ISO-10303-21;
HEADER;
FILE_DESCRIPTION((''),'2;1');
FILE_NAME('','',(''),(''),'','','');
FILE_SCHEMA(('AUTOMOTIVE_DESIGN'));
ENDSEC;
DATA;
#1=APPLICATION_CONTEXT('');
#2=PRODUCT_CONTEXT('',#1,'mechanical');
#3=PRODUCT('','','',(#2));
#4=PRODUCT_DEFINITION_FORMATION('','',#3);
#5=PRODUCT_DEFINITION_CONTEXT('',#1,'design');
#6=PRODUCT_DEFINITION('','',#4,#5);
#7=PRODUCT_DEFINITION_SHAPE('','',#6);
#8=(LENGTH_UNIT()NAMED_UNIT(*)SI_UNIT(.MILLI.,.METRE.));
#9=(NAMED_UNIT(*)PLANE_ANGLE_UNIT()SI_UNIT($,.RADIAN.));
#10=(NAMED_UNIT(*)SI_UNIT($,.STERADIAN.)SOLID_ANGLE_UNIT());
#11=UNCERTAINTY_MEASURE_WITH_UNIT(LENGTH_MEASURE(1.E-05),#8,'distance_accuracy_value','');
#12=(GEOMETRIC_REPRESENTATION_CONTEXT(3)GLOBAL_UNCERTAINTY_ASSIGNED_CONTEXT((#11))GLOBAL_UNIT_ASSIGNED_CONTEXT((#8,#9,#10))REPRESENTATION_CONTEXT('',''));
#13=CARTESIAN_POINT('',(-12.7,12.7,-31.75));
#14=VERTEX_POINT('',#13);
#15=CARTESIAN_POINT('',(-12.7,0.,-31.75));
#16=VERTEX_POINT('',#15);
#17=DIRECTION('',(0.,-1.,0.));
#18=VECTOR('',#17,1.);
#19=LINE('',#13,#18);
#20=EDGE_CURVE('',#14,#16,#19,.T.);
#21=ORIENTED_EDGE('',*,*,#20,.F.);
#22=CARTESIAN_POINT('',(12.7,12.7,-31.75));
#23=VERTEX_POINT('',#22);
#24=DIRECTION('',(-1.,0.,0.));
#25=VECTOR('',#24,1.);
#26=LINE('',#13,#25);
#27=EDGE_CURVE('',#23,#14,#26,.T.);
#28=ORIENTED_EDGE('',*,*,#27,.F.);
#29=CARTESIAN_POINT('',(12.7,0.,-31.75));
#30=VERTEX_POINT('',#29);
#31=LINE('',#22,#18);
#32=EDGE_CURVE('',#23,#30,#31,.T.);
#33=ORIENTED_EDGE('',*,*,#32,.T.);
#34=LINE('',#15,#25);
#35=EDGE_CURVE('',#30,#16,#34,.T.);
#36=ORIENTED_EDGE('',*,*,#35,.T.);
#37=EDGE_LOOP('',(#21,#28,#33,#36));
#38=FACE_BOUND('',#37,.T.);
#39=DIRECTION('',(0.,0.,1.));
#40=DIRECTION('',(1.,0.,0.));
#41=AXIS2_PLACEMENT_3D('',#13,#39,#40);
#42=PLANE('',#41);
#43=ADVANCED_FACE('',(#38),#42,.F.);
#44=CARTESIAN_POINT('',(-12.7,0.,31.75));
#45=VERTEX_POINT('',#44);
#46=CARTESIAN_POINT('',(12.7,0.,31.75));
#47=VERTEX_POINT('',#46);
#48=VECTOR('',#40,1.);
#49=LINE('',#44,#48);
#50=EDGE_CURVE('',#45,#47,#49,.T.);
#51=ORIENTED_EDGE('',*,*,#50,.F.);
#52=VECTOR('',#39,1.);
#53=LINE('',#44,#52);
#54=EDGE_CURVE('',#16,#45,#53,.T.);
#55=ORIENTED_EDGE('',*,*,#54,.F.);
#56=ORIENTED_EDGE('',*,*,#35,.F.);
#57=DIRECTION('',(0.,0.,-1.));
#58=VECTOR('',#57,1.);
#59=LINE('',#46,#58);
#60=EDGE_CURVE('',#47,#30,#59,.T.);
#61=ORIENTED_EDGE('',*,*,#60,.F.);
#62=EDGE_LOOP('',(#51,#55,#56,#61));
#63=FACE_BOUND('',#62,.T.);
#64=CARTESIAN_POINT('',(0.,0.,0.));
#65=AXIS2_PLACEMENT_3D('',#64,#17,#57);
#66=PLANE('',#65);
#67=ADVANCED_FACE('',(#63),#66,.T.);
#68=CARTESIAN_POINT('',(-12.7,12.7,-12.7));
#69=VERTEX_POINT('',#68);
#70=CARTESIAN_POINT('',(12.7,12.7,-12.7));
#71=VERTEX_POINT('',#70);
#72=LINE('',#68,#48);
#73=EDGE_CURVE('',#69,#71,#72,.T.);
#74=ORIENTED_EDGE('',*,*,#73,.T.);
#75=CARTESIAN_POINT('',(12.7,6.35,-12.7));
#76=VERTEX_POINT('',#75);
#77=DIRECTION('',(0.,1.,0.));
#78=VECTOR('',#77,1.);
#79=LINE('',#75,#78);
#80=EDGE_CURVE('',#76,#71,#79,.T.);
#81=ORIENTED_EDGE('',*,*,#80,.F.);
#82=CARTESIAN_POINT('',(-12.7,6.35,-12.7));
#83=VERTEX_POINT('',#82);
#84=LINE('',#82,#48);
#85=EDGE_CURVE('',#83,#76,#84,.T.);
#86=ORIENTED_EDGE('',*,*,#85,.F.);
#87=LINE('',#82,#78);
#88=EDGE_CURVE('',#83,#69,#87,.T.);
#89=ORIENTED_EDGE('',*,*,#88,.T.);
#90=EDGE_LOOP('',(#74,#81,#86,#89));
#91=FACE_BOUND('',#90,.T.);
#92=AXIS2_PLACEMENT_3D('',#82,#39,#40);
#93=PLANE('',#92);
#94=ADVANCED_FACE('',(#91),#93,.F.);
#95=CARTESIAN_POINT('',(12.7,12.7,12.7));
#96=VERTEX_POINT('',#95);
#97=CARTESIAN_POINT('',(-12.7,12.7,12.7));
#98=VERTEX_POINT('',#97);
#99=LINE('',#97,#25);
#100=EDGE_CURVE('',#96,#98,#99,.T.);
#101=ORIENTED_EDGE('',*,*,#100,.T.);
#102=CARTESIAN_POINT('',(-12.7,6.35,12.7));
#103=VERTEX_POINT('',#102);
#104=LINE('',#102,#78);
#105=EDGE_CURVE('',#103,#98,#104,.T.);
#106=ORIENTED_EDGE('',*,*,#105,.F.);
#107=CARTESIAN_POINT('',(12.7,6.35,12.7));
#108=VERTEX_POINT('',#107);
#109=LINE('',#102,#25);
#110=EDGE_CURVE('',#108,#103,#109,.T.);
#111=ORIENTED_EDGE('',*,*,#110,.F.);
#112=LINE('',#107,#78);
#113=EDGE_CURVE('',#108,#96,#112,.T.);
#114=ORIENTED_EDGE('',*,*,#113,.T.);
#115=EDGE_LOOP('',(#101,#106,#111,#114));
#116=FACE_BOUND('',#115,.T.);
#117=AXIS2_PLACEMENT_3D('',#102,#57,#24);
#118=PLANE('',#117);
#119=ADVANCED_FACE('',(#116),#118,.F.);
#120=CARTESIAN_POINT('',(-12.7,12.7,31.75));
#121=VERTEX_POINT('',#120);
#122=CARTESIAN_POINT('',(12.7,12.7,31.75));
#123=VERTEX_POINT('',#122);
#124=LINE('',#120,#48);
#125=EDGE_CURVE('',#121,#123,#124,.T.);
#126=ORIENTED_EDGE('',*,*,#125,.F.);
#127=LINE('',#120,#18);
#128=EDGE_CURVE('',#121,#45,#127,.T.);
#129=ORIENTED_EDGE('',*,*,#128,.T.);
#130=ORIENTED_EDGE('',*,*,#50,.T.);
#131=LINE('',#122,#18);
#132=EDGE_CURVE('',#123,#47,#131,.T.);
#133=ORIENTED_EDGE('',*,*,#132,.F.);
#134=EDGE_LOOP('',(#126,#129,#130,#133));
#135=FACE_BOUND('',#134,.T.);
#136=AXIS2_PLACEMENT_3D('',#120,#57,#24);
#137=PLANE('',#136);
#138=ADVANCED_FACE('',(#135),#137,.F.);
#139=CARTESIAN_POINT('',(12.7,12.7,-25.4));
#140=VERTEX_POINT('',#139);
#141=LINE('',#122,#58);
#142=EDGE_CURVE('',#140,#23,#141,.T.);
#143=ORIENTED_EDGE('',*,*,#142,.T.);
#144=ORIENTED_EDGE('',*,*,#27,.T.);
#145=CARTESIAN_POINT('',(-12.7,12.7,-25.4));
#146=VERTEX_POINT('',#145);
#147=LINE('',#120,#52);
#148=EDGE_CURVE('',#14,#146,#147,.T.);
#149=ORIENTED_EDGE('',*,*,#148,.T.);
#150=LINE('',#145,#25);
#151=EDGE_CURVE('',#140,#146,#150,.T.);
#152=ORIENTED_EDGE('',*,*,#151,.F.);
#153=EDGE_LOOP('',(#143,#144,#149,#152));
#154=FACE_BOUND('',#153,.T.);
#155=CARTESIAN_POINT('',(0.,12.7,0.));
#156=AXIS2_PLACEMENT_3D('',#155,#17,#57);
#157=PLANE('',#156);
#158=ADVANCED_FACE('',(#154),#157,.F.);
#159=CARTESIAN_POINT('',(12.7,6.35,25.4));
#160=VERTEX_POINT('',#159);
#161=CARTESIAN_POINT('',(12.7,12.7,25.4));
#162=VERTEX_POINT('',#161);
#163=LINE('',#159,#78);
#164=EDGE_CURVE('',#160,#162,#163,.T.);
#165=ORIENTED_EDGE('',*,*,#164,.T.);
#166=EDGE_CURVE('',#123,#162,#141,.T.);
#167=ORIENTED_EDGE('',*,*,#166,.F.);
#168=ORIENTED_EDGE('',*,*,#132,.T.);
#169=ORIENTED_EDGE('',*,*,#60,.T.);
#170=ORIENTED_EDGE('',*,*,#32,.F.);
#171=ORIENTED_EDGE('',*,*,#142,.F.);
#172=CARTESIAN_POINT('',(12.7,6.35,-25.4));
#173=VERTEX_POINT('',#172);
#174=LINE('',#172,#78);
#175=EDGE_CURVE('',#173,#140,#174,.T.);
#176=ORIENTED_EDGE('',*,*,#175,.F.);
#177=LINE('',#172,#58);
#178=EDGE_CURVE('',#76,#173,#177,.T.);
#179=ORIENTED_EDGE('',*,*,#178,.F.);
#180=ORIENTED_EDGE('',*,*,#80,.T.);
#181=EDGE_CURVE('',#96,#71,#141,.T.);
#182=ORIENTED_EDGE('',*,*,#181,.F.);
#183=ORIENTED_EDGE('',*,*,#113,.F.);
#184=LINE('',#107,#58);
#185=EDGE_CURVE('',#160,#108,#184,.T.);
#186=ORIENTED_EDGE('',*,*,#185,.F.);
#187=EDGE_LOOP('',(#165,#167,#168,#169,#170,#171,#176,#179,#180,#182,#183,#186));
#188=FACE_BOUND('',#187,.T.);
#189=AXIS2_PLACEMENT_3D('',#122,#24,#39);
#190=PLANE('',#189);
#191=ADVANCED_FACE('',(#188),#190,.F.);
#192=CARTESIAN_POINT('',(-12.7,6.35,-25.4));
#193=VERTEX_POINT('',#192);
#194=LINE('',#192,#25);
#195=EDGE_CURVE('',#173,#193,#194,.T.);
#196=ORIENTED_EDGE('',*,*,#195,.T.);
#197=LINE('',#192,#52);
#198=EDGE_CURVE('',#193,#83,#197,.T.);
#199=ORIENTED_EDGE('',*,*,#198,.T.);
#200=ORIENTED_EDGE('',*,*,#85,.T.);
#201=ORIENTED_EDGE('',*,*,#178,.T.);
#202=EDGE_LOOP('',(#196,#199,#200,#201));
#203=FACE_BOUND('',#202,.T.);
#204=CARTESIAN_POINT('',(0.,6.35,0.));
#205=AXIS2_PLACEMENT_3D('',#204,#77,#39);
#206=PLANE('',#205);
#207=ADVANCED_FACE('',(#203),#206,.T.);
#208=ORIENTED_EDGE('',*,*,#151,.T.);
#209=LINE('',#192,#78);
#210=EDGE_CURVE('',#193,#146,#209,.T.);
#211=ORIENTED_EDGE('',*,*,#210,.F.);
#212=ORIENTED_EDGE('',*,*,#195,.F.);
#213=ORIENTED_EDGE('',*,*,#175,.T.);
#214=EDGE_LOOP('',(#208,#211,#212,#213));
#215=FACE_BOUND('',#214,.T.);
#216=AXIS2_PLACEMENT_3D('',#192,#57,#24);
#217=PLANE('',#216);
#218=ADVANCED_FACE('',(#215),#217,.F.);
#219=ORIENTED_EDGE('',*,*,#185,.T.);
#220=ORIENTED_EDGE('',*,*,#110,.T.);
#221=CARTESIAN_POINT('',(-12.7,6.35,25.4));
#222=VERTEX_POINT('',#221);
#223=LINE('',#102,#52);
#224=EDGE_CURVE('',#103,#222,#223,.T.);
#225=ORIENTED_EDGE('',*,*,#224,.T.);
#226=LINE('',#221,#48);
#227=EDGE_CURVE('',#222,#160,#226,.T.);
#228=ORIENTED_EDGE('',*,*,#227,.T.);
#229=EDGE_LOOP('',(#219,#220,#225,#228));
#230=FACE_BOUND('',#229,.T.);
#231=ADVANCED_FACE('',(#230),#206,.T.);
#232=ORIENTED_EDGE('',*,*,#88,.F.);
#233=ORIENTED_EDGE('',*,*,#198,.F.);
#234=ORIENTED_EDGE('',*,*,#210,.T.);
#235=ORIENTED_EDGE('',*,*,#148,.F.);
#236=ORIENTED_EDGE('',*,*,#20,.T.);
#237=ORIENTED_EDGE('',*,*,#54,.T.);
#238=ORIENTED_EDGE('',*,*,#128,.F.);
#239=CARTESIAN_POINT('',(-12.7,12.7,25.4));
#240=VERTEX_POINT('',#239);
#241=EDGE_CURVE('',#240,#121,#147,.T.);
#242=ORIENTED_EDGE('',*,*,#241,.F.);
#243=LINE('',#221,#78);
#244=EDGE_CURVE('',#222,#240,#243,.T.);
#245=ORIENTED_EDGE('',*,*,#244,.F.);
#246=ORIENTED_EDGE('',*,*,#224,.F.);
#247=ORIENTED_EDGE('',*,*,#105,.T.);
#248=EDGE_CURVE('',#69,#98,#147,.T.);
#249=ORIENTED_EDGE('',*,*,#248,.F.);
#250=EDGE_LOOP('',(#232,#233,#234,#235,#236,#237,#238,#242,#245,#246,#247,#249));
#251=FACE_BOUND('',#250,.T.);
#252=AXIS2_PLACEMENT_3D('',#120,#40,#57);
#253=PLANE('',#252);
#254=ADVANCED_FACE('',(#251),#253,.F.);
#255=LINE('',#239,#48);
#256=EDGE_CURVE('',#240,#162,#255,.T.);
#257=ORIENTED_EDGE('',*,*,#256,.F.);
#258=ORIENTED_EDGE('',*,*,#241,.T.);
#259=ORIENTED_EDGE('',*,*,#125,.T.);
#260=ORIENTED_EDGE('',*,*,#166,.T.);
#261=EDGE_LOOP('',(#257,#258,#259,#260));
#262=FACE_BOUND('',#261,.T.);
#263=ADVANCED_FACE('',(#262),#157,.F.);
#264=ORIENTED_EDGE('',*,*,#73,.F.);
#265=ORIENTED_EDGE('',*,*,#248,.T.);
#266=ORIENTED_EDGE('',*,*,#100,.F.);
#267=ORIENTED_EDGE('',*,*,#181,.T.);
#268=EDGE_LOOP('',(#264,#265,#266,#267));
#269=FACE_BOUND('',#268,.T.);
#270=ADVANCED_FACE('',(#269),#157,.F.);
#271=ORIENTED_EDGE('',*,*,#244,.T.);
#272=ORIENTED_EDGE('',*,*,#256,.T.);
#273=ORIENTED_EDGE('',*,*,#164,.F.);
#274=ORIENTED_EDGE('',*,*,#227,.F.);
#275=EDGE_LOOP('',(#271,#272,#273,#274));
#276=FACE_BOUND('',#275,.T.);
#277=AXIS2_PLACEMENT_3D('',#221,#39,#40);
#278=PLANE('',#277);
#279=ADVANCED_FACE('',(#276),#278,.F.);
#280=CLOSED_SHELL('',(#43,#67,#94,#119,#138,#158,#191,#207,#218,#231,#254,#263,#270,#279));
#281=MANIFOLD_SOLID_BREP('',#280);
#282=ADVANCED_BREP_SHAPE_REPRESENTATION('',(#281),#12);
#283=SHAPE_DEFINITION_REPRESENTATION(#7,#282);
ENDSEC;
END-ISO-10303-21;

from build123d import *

# Parameters (mm, degrees)
SKETCH1_W           = 25.4
SKETCH1_H           = 63.5
BOSS_EXTRUDE1_DEPTH = 12.7
SKETCH2_W           = 25.4
SKETCH2_H           = 12.7
CUT_EXTRUDE1_DEPTH  = 6.35


with BuildPart() as part:
    # Sketch1 → Boss-Extrude1 (new body)
    with BuildSketch(Plane(origin=(0, 0, 0), x_dir=(1, 0, 0), z_dir=(0, 1, 0))):
        Rectangle(SKETCH1_W, SKETCH1_H)
    extrude(amount=BOSS_EXTRUDE1_DEPTH)

    # Sketch2 → Cut-Extrude1 (cut)
    with BuildSketch(Plane(origin=(0, 12.7, 0), x_dir=(1, 0, 0), z_dir=(0, 1, 0))):
        with Locations((0, 19.05)):
            Rectangle(SKETCH2_W, SKETCH2_H)
        with Locations((0, -19.05)):
            Rectangle(SKETCH2_W, SKETCH2_H)
    extrude(amount=-CUT_EXTRUDE1_DEPTH, mode=Mode.SUBTRACT)


solid = part.part
